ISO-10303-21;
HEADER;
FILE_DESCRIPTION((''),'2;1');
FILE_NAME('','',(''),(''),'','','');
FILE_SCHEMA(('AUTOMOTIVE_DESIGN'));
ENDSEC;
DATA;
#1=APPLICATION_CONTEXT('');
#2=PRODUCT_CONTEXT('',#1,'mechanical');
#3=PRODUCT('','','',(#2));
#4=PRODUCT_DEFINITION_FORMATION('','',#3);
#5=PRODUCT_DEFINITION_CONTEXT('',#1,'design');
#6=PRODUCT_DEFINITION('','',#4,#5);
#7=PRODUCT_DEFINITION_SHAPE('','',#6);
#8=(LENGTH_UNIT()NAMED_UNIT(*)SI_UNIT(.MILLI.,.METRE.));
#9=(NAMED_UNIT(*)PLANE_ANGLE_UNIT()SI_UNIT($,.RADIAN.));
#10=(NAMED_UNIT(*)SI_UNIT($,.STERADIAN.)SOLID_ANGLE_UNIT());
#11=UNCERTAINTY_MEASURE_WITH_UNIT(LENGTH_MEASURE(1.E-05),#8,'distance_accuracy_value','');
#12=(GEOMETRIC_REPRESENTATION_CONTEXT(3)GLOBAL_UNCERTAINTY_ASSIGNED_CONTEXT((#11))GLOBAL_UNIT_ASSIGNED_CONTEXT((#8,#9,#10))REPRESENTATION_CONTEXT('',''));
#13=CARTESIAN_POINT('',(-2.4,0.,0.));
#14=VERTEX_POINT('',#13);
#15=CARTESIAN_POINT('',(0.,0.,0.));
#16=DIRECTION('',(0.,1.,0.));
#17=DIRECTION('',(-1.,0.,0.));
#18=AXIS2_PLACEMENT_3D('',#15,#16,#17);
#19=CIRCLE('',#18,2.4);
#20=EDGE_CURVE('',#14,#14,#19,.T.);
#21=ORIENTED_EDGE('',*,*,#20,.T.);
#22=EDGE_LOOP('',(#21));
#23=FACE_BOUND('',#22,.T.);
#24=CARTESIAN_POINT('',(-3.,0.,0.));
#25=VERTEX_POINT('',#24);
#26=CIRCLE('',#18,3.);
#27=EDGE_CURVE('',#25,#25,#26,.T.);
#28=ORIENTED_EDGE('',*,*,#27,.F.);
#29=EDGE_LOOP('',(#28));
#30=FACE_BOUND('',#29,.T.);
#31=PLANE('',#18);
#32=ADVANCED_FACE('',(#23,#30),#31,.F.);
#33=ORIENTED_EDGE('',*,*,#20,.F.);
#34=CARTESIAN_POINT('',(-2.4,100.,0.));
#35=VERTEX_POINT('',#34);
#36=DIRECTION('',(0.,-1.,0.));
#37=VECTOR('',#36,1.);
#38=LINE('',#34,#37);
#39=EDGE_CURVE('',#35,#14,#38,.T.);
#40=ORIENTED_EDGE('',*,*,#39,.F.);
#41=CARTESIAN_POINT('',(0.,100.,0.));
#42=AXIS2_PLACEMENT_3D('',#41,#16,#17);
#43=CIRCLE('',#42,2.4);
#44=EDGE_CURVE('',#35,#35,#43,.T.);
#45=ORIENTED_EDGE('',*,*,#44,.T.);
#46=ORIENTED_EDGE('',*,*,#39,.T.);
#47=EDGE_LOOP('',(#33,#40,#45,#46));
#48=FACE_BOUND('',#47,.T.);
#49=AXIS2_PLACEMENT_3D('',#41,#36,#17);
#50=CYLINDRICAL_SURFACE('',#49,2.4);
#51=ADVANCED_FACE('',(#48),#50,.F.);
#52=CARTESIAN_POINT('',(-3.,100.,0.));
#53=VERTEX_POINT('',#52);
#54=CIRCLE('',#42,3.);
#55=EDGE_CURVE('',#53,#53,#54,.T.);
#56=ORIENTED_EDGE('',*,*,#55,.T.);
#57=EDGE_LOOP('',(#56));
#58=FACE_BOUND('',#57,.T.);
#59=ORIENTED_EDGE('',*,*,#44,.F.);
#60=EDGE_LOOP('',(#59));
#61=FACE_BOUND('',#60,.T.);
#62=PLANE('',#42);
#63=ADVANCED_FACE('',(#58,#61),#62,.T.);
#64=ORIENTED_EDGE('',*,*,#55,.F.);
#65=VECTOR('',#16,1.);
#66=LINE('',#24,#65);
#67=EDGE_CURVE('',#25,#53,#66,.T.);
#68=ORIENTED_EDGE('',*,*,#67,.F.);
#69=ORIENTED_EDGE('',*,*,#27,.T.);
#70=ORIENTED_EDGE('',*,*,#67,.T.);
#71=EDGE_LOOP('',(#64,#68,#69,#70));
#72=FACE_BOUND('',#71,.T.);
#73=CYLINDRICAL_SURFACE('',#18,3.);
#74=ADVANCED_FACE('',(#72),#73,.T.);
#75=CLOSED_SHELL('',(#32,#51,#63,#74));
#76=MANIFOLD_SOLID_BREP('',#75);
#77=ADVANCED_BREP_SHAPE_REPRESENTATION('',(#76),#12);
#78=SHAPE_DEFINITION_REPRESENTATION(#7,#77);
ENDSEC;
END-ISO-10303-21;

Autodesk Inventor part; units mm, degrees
ref_plane "YZ Plane" through (0, 0, 0) normal (1, 0, 0) x (0, 1, 0)
ref_plane "XZ Plane" through (0, 0, 0) normal (0, 1, 0) x (-1, 0, 0)
ref_plane "XY Plane" through (0, 0, 0) normal (0, 0, 1) x (1, 0, 0)
sketch "Sketch1" plane through (0, 0, 0) normal (0, 0, 1) x (1, 0, 0)
  line L0 (-2.4, 0) -> (-3, 0)
  line L1 (-3, 0) -> (-3, 100)
  line L2 (-3, 100) -> (-2.4, 100)
  line L3 (-2.4, 100) -> (-2.4, 0)
  line L4 (0, -20) -> (0, 120) projected
  point P0 (0, 0)
  dimension "d0" = 3
  dimension "d1" = 0.6
  dimension "d2" = 100
revolve "Revolution1" add sketch "Sketch1" angle 360 about axis through (0, -10, 0) along (0, 1, 0)
properties part number "InsertTube" material "Stainless Steel AISI 304"
